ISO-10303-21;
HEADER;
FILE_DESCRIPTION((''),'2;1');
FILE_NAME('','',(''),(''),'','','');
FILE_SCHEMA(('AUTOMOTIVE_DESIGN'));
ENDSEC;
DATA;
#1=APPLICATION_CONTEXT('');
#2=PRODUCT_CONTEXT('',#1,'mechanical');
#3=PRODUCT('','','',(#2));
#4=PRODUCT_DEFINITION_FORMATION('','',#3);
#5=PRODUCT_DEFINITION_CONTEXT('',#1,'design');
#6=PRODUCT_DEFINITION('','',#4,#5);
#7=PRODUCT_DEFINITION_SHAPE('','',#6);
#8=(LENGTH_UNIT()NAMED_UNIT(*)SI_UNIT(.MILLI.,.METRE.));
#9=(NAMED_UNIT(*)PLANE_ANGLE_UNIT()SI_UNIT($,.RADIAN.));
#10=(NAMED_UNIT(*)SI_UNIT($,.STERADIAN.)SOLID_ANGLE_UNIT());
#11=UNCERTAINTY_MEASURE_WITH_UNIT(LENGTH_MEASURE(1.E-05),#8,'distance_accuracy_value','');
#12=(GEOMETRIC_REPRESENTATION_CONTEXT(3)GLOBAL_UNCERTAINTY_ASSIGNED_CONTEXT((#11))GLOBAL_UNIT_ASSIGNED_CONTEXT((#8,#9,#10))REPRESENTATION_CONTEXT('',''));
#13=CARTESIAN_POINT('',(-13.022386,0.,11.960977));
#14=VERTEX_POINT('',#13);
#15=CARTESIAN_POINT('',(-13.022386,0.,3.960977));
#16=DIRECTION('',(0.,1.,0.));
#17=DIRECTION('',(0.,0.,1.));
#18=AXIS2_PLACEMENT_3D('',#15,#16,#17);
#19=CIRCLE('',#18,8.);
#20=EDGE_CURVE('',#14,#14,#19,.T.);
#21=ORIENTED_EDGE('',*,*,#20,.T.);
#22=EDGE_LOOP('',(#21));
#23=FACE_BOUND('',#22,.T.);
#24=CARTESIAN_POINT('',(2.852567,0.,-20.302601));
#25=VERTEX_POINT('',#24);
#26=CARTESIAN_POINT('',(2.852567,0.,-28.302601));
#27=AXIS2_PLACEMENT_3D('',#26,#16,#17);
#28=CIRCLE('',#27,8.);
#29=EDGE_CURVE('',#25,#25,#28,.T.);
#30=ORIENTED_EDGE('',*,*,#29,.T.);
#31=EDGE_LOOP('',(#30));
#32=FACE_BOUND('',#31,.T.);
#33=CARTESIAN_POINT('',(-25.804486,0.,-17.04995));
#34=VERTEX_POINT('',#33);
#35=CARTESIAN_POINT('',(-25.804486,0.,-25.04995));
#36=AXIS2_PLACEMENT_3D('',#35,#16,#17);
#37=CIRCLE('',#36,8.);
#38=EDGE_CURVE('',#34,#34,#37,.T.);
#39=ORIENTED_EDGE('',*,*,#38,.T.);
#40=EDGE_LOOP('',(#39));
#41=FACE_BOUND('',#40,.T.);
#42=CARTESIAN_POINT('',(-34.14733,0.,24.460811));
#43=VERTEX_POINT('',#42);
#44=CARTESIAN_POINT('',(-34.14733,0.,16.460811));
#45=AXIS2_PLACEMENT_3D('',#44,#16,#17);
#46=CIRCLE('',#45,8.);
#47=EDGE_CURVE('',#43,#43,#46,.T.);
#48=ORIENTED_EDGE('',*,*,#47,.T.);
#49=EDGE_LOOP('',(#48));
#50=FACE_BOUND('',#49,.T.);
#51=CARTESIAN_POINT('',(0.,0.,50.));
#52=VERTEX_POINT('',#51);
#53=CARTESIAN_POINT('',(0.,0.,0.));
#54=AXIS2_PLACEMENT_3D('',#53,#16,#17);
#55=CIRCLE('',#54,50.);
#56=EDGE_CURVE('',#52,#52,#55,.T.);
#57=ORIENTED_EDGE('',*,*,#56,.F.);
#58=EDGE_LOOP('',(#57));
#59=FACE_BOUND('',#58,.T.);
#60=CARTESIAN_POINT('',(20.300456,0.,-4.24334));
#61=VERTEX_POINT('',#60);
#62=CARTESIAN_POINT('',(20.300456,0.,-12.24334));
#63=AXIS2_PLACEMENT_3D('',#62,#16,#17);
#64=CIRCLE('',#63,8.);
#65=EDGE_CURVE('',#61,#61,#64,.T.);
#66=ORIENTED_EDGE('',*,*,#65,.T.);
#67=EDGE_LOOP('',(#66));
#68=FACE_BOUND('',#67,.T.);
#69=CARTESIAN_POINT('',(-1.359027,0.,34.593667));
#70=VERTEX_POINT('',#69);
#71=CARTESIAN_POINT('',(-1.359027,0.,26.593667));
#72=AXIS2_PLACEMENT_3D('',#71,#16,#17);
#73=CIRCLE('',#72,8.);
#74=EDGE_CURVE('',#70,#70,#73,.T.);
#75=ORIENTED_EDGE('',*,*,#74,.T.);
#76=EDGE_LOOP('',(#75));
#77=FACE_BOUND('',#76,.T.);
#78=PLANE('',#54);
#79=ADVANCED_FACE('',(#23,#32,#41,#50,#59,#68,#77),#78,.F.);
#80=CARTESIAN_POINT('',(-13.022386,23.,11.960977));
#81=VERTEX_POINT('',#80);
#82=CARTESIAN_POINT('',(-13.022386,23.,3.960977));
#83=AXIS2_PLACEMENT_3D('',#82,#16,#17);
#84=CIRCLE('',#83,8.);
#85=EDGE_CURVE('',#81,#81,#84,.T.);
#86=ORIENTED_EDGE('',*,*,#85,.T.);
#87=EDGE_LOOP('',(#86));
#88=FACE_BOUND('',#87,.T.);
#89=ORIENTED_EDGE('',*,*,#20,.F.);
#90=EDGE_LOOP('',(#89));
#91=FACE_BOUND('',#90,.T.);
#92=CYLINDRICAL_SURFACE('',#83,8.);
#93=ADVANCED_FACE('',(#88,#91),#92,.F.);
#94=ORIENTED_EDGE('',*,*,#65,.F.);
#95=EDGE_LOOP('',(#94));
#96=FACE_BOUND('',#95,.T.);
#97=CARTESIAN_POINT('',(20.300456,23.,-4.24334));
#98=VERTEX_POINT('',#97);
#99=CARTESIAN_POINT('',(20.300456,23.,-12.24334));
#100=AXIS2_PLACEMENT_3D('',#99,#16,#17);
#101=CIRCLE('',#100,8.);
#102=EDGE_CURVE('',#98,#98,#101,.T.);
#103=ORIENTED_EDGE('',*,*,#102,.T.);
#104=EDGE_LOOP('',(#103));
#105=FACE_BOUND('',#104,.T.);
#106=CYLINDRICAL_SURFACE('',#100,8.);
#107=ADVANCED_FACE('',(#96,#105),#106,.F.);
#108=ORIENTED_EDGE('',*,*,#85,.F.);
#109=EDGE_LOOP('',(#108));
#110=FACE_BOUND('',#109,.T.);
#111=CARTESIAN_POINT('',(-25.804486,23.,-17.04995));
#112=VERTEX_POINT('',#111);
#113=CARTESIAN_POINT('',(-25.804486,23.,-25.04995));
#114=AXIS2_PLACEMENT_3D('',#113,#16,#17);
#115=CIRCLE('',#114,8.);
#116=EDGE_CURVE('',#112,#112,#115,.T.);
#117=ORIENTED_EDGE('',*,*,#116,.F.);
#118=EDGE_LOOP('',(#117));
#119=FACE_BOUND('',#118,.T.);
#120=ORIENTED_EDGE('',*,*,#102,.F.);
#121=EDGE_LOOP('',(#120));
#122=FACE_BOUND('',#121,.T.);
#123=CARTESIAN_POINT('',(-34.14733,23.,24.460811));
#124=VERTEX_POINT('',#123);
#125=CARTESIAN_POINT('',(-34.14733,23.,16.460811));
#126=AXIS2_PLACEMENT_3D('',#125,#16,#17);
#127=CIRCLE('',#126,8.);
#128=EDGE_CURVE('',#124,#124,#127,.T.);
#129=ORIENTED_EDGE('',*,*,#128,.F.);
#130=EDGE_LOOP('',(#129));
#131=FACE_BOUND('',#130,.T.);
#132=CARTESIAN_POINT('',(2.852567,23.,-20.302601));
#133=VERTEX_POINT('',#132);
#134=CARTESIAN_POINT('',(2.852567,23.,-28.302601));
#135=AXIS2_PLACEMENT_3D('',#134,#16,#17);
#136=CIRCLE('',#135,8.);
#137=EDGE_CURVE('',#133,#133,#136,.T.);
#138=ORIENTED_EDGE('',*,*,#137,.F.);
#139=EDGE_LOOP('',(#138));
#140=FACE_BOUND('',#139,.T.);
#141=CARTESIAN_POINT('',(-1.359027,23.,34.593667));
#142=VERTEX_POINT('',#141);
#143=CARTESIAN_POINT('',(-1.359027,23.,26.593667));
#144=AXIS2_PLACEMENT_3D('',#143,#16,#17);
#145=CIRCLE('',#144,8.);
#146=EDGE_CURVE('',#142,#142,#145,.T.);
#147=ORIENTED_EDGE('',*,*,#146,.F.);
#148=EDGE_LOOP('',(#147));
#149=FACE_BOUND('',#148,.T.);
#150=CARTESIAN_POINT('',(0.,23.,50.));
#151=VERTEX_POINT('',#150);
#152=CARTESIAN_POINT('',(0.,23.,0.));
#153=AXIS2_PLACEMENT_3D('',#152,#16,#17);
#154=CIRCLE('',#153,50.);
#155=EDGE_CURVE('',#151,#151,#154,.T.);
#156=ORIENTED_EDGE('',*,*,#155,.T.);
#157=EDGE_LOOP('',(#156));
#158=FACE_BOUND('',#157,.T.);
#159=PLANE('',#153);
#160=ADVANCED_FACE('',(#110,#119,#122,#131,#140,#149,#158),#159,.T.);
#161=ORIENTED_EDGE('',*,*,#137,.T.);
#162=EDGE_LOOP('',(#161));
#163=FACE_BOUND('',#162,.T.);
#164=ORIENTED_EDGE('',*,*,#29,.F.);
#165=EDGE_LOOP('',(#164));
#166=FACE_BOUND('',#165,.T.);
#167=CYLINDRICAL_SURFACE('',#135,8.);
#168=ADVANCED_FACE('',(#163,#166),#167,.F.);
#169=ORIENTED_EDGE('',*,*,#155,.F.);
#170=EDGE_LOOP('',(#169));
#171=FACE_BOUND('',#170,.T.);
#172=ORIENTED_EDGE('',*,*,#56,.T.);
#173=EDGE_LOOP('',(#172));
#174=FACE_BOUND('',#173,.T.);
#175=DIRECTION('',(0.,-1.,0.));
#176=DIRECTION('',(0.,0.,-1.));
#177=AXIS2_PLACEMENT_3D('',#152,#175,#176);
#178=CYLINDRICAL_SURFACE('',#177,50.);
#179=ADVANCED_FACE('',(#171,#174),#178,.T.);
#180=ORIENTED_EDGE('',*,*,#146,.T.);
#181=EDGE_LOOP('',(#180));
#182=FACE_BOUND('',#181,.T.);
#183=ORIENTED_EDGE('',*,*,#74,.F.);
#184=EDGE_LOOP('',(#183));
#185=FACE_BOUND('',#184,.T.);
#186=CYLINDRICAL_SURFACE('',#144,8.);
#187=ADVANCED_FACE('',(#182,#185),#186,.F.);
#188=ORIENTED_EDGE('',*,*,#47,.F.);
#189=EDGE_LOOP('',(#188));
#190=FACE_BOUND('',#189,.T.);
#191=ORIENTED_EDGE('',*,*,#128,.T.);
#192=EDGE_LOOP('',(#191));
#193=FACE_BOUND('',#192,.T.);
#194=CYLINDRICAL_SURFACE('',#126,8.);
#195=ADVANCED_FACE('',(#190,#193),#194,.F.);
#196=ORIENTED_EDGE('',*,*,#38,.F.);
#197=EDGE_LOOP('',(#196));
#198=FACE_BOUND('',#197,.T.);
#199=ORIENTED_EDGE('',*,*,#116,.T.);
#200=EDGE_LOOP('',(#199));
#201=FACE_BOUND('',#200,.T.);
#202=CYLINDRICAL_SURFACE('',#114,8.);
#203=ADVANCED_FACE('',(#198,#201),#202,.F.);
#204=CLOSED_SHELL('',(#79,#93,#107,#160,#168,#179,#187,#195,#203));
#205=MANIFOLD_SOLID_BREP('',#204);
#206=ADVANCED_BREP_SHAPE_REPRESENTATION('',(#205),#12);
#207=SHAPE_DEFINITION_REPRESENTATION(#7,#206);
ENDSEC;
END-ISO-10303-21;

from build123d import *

# Parameters (mm, degrees)
SKETCH2_R              = 50
BOSS_EXTRUDE2_DEPTH    = 23
F_16_0MM_DOWEL_HOLE1_D = 16


with BuildPart() as part:
    # Sketch2 → Boss-Extrude2 (new body)
    with BuildSketch(Plane(origin=(0, 0, 0), x_dir=(1, 0, 0), z_dir=(0, 1, 0))):
        with Locations(Location((0, 0, 0), (0, 0, 270))):
            Circle(SKETCH2_R)
    extrude(amount=BOSS_EXTRUDE2_DEPTH)

    # Ø16.0mm Dowel Hole1 (through all)
    with Locations(Plane(origin=(0, 23, 0), x_dir=(1, 0, 0), z_dir=(0, 1, 0))):
        with Locations((-34.147330431, -16.460811011), (-25.804486223, 25.049949845), (-1.359027264, -26.593666798), (20.300455615, 12.243339794), (-13.022386315, -3.960976594), (2.852567021, 28.302601266)):
            Hole(F_16_0MM_DOWEL_HOLE1_D / 2)


solid = part.part
